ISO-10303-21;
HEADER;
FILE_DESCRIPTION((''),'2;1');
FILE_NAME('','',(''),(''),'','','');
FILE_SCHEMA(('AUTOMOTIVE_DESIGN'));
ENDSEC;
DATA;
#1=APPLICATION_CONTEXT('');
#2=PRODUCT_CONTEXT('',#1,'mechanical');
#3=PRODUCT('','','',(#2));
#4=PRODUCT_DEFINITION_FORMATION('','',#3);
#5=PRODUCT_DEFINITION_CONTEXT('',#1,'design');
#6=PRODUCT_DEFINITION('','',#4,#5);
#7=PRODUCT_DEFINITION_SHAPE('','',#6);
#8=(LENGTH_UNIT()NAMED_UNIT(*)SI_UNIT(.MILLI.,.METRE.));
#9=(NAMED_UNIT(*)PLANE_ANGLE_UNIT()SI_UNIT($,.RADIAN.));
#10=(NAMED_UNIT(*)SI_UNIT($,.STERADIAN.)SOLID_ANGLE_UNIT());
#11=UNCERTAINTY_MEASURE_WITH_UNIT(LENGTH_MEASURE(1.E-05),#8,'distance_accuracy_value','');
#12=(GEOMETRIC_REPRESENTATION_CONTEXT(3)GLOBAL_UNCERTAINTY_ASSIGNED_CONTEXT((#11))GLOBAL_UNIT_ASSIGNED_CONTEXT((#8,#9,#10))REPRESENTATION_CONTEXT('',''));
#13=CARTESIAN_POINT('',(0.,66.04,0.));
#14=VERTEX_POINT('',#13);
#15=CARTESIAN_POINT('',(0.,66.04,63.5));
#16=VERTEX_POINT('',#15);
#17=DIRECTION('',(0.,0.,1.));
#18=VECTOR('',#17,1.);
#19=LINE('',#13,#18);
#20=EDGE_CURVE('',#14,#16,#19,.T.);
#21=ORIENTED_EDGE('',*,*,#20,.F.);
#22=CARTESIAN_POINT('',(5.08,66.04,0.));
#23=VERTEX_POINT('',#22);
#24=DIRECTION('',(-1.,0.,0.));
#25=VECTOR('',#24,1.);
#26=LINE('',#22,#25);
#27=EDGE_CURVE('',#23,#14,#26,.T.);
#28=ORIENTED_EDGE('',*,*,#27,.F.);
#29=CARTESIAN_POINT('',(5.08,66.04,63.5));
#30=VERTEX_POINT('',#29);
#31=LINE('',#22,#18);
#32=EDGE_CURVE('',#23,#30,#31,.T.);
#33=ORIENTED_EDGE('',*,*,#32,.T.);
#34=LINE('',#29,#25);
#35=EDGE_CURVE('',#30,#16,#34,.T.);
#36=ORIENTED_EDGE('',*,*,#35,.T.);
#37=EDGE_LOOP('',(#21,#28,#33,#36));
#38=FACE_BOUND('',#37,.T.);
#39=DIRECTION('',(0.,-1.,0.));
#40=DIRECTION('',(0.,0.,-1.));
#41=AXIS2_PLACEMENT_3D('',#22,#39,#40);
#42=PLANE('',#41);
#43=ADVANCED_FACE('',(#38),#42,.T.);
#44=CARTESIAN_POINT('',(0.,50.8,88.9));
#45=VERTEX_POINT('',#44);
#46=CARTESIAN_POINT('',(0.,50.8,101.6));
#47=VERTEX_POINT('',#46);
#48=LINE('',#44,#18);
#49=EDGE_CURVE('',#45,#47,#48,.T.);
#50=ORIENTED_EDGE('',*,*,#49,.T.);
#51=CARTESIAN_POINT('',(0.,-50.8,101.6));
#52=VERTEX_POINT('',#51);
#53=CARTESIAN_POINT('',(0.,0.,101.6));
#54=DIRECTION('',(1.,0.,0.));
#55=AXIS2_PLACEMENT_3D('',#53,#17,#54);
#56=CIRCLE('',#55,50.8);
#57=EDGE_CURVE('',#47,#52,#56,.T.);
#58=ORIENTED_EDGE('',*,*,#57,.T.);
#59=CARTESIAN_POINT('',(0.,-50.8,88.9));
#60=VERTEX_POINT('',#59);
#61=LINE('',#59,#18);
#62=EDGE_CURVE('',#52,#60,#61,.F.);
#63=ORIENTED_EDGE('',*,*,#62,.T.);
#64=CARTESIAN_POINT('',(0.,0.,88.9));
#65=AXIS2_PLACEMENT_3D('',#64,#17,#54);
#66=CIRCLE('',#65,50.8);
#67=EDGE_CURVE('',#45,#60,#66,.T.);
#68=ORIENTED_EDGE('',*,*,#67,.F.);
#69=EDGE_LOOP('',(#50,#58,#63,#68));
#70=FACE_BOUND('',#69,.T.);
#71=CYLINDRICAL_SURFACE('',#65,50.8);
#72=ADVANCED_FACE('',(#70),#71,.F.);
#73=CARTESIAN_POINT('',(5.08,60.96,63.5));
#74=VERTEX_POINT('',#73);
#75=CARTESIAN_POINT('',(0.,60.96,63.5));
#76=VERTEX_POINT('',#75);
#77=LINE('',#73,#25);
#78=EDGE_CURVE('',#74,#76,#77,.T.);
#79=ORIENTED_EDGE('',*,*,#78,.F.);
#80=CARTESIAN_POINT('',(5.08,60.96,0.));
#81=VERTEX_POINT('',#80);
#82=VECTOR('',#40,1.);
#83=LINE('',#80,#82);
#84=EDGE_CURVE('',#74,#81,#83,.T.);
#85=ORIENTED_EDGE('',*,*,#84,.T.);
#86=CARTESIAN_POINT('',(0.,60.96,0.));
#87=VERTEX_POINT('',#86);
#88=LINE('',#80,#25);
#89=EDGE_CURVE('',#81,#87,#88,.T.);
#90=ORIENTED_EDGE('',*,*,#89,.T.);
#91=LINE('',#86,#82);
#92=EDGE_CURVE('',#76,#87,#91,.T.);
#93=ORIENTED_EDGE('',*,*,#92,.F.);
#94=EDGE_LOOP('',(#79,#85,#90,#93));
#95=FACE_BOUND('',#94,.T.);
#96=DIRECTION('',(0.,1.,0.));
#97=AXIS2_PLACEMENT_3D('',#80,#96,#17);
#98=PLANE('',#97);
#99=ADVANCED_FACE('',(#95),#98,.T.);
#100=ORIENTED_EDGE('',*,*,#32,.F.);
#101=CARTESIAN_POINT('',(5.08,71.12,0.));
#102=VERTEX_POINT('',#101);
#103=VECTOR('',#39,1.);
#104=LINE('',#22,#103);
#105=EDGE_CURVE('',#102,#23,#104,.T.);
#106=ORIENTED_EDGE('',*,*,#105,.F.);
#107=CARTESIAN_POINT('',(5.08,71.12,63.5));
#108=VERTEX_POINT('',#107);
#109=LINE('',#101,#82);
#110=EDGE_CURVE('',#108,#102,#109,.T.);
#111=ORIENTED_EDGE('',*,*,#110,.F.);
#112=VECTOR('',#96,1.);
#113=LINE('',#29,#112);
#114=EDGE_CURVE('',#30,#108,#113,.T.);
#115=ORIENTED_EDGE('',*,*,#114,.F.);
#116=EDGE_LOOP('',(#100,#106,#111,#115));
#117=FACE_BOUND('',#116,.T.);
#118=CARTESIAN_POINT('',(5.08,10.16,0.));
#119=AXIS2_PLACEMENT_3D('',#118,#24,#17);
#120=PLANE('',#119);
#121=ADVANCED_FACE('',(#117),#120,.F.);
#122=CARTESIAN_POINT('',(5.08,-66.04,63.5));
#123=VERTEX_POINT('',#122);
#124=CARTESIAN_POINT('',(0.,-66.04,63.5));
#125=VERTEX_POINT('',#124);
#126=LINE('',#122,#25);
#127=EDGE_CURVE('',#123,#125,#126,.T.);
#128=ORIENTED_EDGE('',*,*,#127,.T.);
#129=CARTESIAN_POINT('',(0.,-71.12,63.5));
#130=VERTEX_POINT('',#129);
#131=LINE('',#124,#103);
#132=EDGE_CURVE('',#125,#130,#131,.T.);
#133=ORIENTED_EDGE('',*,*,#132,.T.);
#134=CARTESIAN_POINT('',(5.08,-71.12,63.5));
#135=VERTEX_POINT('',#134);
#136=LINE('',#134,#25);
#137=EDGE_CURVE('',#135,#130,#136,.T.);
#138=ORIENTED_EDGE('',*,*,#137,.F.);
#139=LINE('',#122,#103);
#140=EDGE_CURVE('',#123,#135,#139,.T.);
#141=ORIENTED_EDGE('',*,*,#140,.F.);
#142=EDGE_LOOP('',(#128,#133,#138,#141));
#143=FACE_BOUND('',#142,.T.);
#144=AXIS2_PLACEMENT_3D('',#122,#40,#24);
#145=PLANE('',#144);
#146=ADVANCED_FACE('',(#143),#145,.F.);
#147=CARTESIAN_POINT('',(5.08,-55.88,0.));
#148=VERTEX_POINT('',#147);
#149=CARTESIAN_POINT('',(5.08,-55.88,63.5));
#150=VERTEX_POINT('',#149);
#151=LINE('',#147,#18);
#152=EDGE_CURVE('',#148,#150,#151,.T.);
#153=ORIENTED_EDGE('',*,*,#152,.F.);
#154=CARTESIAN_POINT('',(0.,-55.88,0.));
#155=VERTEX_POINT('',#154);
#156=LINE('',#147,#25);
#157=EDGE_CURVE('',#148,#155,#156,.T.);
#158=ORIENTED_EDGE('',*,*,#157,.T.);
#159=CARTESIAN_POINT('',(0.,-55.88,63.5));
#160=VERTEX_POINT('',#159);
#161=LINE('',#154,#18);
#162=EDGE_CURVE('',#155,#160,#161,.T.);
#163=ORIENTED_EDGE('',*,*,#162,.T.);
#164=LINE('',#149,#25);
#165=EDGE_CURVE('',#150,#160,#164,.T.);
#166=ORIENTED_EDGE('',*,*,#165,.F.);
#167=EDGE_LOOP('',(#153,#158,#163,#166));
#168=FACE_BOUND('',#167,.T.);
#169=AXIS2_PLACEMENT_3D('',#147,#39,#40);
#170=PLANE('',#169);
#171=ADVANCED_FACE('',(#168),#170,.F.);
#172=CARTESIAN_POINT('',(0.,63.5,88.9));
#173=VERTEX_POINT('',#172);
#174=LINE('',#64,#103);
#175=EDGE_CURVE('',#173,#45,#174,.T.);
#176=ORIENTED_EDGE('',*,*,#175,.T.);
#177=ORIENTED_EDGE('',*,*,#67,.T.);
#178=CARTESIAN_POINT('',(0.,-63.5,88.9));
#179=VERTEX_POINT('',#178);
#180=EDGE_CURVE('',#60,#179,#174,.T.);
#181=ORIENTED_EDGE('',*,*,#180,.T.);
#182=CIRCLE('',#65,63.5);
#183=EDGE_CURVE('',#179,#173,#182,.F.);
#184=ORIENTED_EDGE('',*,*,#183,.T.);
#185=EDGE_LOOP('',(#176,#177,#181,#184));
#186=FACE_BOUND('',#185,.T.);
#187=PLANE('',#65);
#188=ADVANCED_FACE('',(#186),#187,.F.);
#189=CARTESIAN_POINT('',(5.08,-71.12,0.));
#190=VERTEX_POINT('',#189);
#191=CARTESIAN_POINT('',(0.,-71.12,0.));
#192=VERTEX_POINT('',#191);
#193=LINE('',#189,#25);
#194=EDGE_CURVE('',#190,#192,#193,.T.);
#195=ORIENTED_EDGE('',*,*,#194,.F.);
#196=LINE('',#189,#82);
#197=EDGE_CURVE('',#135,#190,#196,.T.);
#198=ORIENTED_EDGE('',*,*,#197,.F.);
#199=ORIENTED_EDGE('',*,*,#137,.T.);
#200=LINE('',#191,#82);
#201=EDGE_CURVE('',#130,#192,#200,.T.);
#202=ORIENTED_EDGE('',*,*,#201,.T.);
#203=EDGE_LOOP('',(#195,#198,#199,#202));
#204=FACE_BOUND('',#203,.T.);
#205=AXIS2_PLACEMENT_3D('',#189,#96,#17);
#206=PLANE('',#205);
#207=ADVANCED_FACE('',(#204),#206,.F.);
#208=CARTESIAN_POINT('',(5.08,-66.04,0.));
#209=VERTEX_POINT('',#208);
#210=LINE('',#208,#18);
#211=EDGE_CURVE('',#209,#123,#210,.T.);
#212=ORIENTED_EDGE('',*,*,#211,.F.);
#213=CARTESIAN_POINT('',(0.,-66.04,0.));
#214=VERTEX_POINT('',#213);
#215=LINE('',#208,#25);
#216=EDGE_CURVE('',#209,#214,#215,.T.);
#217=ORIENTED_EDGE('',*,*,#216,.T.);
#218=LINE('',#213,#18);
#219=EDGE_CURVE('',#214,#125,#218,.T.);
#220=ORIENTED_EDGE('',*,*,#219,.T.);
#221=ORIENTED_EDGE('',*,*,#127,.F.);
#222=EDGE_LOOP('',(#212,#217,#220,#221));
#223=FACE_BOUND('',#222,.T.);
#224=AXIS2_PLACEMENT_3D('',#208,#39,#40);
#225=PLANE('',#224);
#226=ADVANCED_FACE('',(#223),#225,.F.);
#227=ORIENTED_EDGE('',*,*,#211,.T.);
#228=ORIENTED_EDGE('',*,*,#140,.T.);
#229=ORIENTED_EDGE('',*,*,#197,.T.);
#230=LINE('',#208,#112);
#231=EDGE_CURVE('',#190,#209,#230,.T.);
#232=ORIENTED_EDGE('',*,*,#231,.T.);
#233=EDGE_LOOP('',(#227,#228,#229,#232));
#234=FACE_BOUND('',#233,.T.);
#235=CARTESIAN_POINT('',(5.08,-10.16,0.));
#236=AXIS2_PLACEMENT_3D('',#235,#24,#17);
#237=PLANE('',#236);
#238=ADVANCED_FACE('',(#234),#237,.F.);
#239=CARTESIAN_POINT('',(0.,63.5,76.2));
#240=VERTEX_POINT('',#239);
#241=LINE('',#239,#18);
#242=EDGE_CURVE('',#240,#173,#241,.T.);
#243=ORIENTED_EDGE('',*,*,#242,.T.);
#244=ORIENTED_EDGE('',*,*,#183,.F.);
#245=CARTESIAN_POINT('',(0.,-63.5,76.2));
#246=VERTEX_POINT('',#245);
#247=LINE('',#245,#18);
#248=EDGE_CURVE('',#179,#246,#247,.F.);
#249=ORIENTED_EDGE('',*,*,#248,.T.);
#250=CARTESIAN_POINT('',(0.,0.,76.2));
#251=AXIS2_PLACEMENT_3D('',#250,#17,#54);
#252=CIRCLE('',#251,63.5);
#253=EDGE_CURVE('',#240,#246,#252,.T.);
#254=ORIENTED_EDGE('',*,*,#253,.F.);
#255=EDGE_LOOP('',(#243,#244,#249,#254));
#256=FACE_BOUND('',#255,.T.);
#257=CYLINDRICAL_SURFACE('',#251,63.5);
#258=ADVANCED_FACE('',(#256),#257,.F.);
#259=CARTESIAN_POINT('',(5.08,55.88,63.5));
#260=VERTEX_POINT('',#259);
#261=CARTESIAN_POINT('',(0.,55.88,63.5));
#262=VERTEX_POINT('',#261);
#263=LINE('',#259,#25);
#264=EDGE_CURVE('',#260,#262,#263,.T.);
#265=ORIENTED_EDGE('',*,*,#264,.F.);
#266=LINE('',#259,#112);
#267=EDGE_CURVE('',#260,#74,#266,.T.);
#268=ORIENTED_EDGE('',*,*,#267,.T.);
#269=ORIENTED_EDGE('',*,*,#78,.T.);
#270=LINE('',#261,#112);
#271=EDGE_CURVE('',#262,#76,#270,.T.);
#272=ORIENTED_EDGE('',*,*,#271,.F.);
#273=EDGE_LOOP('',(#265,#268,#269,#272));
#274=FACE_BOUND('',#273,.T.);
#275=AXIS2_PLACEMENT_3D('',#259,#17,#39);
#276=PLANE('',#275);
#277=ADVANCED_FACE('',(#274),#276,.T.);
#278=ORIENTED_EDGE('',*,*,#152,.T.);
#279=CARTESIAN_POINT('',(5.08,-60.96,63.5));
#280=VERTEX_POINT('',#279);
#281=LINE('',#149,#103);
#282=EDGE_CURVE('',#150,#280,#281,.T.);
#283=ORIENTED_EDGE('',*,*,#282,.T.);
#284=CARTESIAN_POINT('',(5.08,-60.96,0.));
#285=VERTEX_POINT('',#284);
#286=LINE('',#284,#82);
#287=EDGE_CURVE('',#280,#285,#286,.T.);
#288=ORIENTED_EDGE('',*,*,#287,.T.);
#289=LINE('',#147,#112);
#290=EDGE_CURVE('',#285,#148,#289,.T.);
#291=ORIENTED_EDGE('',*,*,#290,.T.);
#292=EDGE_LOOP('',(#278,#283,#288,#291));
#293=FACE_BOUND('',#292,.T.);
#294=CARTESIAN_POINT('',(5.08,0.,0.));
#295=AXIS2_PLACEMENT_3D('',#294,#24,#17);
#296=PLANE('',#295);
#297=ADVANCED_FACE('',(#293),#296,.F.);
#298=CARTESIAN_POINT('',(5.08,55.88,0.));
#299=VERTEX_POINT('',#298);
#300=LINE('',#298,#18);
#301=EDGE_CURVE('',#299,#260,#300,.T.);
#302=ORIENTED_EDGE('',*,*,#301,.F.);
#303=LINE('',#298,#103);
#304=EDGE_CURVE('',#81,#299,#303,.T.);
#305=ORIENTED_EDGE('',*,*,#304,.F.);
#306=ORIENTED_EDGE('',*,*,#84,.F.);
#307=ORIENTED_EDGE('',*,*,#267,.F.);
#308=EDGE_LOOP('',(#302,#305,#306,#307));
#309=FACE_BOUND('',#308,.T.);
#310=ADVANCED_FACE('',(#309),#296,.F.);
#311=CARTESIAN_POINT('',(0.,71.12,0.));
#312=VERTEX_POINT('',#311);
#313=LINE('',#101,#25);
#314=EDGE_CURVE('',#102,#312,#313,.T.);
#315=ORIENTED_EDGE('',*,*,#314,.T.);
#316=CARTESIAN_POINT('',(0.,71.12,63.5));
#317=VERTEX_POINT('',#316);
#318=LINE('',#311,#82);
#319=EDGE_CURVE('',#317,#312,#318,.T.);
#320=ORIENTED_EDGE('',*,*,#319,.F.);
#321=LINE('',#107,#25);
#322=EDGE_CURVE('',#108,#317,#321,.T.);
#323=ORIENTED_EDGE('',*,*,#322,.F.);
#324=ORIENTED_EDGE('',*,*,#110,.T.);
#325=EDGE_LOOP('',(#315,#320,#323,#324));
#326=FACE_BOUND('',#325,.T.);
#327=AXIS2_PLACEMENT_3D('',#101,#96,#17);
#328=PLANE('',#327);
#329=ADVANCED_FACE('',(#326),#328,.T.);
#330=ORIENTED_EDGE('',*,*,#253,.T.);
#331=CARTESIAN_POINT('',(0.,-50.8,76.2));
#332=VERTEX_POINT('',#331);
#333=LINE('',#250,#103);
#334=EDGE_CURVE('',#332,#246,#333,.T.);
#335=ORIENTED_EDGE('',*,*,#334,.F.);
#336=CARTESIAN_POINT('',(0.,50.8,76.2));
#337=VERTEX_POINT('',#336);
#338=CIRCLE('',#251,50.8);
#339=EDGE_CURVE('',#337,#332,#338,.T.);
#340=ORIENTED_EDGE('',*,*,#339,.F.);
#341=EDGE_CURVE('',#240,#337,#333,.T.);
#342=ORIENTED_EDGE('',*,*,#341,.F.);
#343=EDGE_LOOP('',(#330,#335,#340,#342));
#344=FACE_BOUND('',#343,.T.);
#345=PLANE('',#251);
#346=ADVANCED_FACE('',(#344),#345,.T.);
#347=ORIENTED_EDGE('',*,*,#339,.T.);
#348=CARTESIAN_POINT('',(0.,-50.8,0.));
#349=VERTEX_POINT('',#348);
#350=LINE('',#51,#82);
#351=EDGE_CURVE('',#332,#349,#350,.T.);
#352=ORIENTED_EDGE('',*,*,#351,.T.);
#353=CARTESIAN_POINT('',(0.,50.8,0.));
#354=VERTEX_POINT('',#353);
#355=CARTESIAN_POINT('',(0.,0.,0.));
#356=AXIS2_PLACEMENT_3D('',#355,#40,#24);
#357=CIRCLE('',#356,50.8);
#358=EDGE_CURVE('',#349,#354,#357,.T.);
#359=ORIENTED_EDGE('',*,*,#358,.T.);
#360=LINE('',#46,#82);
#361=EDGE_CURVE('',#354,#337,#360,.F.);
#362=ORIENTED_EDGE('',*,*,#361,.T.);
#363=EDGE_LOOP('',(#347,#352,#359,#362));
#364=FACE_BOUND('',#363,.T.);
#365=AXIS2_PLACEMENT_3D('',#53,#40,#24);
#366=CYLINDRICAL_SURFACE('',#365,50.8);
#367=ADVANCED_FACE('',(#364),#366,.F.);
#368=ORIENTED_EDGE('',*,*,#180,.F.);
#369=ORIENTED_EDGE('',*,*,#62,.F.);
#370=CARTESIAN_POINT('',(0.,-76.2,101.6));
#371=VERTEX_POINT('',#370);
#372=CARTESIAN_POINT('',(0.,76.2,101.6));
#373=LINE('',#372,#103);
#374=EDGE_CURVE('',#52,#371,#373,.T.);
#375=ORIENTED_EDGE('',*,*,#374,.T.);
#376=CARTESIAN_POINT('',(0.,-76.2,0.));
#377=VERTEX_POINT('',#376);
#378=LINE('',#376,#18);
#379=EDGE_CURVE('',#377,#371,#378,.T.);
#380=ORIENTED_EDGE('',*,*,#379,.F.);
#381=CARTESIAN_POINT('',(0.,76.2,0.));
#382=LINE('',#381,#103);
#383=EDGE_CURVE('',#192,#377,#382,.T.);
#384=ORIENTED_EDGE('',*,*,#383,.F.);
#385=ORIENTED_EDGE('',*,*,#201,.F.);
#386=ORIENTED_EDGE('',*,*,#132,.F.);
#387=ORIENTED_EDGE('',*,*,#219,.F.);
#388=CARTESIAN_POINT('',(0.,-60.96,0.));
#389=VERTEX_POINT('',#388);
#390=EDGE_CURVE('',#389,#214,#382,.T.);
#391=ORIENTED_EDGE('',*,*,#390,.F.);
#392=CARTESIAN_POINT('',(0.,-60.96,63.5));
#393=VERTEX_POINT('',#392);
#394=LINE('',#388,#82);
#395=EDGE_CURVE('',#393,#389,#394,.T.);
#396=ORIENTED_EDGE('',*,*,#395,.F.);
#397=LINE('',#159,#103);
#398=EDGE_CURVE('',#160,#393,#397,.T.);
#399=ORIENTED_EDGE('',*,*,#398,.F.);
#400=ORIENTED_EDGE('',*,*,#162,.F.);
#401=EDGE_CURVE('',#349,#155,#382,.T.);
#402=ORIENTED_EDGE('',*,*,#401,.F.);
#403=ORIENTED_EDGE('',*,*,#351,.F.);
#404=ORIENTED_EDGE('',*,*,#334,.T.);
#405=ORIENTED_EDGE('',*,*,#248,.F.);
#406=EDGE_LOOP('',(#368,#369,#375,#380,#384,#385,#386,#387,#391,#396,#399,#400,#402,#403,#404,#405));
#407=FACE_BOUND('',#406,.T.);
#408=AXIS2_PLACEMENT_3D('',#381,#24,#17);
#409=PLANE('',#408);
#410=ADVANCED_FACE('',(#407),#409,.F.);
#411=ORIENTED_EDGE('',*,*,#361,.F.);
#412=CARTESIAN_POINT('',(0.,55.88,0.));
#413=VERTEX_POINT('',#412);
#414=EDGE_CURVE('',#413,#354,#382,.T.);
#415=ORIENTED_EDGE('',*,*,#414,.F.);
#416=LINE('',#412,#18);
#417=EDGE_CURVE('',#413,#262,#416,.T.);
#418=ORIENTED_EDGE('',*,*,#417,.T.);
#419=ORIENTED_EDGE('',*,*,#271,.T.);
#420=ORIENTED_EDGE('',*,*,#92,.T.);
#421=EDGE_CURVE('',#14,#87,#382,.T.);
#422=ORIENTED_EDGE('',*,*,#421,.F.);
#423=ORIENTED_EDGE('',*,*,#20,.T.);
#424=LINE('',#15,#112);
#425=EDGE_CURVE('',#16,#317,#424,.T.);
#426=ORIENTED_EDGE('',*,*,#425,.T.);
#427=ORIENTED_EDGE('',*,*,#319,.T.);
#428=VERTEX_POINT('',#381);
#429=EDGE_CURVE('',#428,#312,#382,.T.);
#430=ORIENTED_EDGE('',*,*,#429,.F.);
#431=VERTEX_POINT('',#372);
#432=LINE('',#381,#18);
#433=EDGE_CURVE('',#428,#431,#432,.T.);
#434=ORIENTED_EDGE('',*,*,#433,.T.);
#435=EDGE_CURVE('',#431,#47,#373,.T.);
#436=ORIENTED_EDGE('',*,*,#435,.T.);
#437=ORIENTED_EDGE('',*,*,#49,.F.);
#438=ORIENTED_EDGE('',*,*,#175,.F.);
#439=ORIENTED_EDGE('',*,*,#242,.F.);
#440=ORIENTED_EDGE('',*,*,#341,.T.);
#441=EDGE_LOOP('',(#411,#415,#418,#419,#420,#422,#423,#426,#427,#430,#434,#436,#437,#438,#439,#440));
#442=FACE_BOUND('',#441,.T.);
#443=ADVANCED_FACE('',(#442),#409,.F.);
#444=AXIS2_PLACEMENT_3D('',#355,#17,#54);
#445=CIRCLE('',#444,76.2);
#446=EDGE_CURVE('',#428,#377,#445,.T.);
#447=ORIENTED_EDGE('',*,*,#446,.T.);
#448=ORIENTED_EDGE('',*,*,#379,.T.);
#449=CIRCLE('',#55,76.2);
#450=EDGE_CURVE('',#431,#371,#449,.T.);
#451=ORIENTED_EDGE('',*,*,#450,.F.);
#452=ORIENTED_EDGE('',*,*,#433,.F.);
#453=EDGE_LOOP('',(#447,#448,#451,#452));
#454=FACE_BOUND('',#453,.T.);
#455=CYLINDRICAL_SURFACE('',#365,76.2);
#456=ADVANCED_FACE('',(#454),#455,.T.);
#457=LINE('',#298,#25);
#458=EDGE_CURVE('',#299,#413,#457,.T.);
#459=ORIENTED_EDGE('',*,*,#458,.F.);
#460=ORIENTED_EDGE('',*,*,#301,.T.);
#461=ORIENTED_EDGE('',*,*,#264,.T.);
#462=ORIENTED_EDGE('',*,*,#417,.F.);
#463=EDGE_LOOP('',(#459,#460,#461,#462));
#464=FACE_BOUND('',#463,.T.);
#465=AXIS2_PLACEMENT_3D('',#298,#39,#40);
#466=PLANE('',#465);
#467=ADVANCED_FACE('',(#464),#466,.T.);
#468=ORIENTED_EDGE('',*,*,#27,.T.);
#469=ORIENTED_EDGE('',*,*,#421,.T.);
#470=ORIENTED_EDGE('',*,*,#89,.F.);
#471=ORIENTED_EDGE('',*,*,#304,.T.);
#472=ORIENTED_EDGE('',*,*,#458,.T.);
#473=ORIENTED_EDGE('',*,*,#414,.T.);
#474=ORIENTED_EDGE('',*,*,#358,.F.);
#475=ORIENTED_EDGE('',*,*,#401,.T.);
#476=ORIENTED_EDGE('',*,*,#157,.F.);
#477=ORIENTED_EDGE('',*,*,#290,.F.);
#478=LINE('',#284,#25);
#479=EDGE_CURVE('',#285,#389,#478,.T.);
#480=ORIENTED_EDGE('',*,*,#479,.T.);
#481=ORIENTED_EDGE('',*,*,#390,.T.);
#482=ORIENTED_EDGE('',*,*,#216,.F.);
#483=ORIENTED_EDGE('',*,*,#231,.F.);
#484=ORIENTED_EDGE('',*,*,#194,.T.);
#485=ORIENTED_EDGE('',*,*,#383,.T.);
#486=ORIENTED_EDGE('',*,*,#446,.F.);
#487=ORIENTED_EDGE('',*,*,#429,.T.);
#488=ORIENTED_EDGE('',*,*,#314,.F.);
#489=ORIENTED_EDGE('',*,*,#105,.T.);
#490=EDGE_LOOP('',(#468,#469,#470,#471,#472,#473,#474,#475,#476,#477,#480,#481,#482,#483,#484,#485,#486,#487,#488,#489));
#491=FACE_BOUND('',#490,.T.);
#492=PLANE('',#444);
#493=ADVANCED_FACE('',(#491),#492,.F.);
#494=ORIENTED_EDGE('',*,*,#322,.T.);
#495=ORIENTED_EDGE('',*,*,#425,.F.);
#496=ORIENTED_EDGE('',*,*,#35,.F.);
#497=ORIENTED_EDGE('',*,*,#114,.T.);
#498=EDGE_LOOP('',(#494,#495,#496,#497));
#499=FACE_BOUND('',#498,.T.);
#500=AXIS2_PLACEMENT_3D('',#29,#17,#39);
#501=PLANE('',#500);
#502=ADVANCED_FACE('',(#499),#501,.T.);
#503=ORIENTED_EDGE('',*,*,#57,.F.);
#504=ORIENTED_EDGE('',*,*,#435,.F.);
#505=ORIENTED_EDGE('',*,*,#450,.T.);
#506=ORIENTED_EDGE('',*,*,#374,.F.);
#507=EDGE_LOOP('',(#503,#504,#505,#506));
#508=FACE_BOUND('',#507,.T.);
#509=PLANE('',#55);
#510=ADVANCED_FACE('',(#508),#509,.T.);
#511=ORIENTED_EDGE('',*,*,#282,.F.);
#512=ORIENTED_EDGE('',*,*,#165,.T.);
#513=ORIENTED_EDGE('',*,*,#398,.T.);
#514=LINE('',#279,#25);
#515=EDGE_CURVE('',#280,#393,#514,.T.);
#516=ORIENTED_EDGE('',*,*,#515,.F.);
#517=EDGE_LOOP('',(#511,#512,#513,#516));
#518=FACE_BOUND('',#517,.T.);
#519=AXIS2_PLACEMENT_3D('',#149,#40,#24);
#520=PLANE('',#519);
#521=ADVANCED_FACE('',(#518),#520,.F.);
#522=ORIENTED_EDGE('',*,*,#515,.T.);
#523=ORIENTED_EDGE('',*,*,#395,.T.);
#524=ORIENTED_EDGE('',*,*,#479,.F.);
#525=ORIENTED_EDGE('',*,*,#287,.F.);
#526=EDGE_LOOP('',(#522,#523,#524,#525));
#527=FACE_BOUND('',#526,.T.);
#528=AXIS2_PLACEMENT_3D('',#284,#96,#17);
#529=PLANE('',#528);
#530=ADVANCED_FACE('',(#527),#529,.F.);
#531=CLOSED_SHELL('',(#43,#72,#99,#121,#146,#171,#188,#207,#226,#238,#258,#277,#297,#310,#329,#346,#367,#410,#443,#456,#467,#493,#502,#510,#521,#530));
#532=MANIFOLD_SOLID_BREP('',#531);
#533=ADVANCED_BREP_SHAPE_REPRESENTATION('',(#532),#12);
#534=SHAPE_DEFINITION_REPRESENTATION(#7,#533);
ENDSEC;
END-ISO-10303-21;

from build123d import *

# Parameters (mm, degrees)
SKETCH1_R               = 76.2
BOSS_EXTRUDE1_DEPTH     = 101.6
SKETCH2_R               = 63.5
CUT_EXTRUDE1_DEPTH      = 25.4
SKETCH3_R               = 63.5
SKETCH3_R_2             = 50.8
BOSS_EXTRUDE2_DEPTH     = 12.7
SKETCH4_R               = 50.8
CUT_EXTRUDE2_DEPTH      = 102.6
CUT_EXTRUDE3_DEPTH      = 102.6
SKETCH6_W               = 63.5
SKETCH6_H               = 5.08
BOSS_EXTRUDE4_DEPTH     = 5.08
LPATTERN1_COUNT         = 2
LPATTERN1_PITCH         = 10.16
MIRROR1_COPY_1_SKETCH_W = 63.5
MIRROR1_COPY_1_SKETCH_H = 5.08
MIRROR1_COPY_1_DEPTH    = 5.08


with BuildPart() as part:
    # Sketch1 → Boss-Extrude1 (new body)
    with BuildSketch(Plane.XY):
        Circle(SKETCH1_R)
    extrude(amount=BOSS_EXTRUDE1_DEPTH)

    # Sketch2 → Cut-Extrude1 (cut)
    with BuildSketch(Plane.XY.offset(101.6)):
        Circle(SKETCH2_R)
    extrude(amount=-CUT_EXTRUDE1_DEPTH, mode=Mode.SUBTRACT)

    # Sketch3 → Boss-Extrude2 (add)
    with BuildSketch(Plane.XY.offset(101.6)):
        Circle(SKETCH3_R)
        Circle(SKETCH3_R_2, mode=Mode.SUBTRACT)
    extrude(amount=-BOSS_EXTRUDE2_DEPTH)

    # Sketch4 → Cut-Extrude2 (cut, through all)
    with BuildSketch(Plane(origin=(0, 0, 0), x_dir=(-1, 0, 0), z_dir=(0, 0, -1))):
        Circle(SKETCH4_R)
    extrude(amount=-CUT_EXTRUDE2_DEPTH, mode=Mode.SUBTRACT)

    # Sketch5 → Cut-Extrude3 (cut, through all)
    with BuildSketch(Plane.XY.offset(101.6)):
        with BuildLine():
            Line((0, 76.2), (0, -76.2))
            ThreePointArc((0, -76.2), (76.2, 0), (0, 76.2))
        make_face()
    extrude(amount=-CUT_EXTRUDE3_DEPTH, mode=Mode.SUBTRACT)

    # Sketch6 → Boss-Extrude4 (add)
    with BuildSketch(Plane(origin=(0, 0, 0), x_dir=(0, 0, -1), z_dir=(1, 0, 0))):
        with Locations((-31.75, -58.42)):
            Rectangle(SKETCH6_W, SKETCH6_H)
    boss_extrude4 = extrude(amount=BOSS_EXTRUDE4_DEPTH)

    # LPattern1: Boss-Extrude4 ×2
    with Locations(*[(0, -i * LPATTERN1_PITCH, 0) for i in range(1, LPATTERN1_COUNT)]):
        add(boss_extrude4)

    # Mirror1: Boss-Extrude4 across plane
    add(boss_extrude4.mirror(Plane.ZX))

    # Mirror1 copy 1 sketch → Mirror1 copy 1 (add)
    with BuildSketch(Plane(origin=(0, 10.16, 0), x_dir=(0, 0, -1), z_dir=(1, 0, 0))):
        with Locations((-31.75, 58.42)):
            Rectangle(MIRROR1_COPY_1_SKETCH_W, MIRROR1_COPY_1_SKETCH_H)
    extrude(amount=MIRROR1_COPY_1_DEPTH)


solid = part.part
